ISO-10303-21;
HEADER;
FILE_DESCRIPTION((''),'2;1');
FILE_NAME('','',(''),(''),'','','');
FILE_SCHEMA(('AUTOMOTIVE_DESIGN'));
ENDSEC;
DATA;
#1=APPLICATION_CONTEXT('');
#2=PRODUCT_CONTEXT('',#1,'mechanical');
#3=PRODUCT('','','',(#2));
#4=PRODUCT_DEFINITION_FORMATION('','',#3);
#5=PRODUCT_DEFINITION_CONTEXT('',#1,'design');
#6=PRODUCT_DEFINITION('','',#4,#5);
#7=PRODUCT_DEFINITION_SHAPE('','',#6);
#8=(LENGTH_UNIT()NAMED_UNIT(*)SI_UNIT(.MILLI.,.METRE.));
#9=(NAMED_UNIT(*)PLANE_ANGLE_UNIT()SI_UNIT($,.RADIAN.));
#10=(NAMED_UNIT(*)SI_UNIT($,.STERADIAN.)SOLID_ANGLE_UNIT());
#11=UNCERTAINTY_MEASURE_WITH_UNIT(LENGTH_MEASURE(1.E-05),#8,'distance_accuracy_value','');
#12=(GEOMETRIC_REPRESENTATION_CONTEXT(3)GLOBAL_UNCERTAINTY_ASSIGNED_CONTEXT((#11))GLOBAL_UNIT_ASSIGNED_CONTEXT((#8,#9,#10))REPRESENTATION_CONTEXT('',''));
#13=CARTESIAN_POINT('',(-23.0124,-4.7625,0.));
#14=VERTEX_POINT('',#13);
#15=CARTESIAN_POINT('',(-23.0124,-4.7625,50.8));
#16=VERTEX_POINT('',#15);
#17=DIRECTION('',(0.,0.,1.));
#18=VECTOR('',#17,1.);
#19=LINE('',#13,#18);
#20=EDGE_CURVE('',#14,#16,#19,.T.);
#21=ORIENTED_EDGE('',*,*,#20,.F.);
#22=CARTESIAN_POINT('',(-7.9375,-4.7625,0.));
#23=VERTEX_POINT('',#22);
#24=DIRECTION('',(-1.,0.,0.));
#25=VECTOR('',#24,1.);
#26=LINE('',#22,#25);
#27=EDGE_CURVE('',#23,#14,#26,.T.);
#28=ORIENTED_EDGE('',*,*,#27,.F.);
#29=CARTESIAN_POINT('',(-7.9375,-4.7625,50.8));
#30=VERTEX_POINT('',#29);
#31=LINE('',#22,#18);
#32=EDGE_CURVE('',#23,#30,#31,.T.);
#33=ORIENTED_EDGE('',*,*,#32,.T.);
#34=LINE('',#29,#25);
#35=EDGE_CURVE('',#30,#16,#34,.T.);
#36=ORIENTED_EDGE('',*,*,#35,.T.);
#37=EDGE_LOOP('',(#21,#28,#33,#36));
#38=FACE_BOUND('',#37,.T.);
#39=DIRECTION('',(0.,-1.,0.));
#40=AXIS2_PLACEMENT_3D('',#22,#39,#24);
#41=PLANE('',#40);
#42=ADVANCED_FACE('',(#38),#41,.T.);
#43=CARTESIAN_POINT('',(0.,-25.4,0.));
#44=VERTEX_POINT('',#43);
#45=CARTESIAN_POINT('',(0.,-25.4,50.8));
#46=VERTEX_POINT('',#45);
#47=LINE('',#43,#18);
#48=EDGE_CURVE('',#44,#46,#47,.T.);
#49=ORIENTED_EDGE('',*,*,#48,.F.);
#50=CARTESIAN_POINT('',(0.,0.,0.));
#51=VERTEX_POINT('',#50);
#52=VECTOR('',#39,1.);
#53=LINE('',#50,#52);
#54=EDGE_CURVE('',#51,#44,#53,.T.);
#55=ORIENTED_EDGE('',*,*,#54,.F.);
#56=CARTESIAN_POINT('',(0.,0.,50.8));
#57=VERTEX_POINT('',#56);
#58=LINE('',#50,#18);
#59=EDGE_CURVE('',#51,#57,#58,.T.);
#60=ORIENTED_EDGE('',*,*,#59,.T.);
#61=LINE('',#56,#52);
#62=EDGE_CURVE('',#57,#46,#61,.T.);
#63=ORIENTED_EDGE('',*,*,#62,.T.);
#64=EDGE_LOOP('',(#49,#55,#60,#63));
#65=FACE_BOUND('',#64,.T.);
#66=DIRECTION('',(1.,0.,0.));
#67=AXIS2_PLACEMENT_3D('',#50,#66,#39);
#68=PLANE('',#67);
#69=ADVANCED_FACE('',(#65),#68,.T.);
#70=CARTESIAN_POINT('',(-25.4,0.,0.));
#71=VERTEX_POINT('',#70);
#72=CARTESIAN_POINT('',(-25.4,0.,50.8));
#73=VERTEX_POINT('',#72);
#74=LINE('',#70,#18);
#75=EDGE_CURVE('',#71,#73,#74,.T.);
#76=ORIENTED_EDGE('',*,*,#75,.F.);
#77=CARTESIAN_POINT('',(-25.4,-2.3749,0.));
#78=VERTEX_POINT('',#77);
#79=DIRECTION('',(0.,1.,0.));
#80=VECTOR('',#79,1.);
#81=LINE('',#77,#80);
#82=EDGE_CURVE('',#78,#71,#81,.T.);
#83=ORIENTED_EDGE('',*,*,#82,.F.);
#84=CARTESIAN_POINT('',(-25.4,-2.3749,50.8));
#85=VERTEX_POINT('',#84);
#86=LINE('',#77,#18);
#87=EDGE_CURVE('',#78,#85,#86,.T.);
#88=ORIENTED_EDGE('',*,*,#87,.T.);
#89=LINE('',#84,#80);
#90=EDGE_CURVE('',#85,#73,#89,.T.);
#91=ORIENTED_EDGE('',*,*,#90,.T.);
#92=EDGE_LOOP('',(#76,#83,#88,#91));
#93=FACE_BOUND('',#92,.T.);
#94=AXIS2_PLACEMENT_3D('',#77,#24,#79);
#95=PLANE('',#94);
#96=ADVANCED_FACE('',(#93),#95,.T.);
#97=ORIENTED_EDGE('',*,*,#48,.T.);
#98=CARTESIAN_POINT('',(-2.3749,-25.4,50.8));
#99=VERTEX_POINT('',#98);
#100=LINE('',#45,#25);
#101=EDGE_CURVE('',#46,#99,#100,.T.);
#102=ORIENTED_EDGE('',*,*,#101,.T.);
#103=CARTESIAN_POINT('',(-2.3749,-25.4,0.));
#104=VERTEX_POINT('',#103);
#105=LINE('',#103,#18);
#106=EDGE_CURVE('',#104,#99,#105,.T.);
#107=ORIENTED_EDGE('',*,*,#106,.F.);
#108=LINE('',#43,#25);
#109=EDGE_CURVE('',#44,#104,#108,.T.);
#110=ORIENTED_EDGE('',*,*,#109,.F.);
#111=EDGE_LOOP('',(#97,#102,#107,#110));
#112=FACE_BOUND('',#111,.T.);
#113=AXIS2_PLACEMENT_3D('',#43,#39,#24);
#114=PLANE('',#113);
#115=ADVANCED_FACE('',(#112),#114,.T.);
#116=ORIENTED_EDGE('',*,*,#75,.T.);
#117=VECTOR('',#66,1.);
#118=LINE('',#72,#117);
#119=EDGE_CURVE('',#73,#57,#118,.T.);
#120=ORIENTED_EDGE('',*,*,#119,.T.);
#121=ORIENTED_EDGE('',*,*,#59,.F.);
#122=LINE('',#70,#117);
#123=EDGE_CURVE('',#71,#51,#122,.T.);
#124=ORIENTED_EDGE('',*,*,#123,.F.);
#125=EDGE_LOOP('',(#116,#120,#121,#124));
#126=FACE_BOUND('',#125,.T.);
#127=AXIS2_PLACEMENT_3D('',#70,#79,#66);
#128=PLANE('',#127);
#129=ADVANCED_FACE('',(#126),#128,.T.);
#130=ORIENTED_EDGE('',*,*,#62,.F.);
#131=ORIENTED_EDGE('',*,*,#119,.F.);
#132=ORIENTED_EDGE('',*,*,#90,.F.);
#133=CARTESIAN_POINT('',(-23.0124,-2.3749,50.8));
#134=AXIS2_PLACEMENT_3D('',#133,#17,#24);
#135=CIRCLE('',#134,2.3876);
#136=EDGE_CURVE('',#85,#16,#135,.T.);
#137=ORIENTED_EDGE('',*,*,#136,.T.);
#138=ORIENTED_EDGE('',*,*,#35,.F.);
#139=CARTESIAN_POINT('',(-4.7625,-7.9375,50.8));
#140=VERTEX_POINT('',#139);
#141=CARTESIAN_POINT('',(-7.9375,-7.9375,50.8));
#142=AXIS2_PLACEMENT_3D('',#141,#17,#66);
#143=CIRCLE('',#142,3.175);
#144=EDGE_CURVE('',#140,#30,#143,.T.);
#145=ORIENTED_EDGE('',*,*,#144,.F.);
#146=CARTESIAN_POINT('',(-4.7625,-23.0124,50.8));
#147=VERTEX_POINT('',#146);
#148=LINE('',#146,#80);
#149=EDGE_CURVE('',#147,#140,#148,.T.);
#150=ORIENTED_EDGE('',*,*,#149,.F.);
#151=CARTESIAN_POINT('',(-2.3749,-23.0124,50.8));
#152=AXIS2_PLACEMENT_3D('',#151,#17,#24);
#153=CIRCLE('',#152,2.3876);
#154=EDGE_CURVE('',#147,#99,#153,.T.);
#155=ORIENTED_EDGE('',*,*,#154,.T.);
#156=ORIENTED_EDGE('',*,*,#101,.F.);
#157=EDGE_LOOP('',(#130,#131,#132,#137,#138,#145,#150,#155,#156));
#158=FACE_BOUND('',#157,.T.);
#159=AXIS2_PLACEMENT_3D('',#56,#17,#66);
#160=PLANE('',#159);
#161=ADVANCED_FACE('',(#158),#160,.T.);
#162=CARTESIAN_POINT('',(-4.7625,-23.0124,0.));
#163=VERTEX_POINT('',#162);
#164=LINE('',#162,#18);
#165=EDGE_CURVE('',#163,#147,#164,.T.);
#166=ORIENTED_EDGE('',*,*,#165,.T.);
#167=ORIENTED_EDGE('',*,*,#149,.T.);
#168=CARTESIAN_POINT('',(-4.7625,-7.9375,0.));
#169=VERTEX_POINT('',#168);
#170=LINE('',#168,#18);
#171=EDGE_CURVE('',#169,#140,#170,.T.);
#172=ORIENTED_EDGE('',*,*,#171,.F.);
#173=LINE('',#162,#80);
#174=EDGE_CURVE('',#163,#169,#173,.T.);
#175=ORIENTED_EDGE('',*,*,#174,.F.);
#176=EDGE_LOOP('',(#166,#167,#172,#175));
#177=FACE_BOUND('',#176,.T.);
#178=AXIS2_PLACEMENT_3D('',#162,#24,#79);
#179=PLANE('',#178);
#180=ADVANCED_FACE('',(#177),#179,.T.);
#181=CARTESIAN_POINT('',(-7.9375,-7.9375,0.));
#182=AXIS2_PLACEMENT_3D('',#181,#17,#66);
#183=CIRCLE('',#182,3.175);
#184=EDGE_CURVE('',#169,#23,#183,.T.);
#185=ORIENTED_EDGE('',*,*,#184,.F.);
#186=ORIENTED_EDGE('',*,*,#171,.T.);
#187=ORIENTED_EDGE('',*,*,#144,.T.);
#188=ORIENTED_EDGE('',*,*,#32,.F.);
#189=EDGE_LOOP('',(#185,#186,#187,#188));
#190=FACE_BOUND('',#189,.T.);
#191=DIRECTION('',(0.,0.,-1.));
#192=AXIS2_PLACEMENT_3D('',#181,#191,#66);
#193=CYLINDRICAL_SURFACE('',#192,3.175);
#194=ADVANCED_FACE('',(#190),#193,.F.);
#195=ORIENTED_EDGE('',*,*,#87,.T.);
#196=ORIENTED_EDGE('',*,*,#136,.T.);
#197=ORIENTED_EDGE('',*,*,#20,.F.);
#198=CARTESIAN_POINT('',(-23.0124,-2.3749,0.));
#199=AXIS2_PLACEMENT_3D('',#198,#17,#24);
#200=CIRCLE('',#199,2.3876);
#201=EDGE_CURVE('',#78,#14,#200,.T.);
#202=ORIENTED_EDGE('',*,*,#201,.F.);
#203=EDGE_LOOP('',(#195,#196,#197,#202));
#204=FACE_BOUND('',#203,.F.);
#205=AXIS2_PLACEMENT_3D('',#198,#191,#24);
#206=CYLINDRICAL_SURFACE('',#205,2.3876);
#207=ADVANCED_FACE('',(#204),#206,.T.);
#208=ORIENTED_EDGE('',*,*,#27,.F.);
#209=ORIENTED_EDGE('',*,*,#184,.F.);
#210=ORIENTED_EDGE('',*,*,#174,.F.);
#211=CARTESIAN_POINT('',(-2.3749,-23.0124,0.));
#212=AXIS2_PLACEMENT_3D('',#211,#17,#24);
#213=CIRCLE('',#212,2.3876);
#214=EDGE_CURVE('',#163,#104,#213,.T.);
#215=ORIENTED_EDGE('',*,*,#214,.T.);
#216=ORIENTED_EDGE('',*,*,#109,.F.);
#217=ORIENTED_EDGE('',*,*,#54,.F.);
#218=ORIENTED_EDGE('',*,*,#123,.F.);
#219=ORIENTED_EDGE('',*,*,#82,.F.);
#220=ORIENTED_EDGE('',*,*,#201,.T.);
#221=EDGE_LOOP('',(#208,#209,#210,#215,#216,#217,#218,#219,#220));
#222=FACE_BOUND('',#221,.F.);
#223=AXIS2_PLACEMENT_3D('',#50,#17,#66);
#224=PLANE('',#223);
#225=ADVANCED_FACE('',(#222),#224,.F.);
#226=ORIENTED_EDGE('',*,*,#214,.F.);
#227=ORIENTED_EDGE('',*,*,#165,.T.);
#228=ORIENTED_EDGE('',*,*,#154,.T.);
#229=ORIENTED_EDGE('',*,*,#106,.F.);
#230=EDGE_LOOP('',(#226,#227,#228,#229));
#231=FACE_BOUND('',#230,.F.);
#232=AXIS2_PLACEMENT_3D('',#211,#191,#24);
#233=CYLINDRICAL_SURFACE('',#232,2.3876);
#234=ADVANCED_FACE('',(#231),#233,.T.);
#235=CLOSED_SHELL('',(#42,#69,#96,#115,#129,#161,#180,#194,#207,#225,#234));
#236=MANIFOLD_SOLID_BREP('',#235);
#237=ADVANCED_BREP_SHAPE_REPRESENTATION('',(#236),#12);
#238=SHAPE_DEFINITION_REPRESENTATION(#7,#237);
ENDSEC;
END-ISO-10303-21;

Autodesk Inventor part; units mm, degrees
ref_plane "YZ Plane" through (0, 0, 0) normal (1, 0, 0) x (0, 1, 0)
ref_plane "XZ Plane" through (0, 0, 0) normal (0, 1, 0) x (-1, 0, 0)
ref_plane "XY Plane" through (0, 0, 0) normal (0, 0, 1) x (1, 0, 0)
sketch "Sketch1" plane through (0, 0, 0) normal (0, 0, 1) x (1, 0, 0)
  line L0 (0, 0) -> (0, -25.4)
  line L1 (0, -25.4) -> (-2.3749, -25.4)
  line L2 (-4.7625, -23.0124) -> (-4.7625, -7.9375)
  line L3 (-7.9375, -4.7625) -> (-23.0124, -4.7625)
  line L4 (-25.4, -2.3749) -> (-25.4, 0)
  line L5 (-25.4, 0) -> (0, 0)
  arc A0 (-4.7625, -7.9375) -> (-7.9375, -4.7625) centre (-7.9375, -7.9375) ccw
  arc A1 (-25.4, -2.3749) -> (-23.0124, -4.7625) centre (-23.0124, -2.3749) ccw
  arc A2 (-4.7625, -23.0124) -> (-2.3749, -25.4) centre (-2.3749, -23.0124) ccw
  dimension "d2" = 25.4
  dimension "d3" = 4.7625
  dimension "d4" = 3.175
  dimension "d5" = 2.3876
extrude "Extrusion1" add sketch "Sketch1" along normal blind 50.8
properties part number "GE-12026-06"
